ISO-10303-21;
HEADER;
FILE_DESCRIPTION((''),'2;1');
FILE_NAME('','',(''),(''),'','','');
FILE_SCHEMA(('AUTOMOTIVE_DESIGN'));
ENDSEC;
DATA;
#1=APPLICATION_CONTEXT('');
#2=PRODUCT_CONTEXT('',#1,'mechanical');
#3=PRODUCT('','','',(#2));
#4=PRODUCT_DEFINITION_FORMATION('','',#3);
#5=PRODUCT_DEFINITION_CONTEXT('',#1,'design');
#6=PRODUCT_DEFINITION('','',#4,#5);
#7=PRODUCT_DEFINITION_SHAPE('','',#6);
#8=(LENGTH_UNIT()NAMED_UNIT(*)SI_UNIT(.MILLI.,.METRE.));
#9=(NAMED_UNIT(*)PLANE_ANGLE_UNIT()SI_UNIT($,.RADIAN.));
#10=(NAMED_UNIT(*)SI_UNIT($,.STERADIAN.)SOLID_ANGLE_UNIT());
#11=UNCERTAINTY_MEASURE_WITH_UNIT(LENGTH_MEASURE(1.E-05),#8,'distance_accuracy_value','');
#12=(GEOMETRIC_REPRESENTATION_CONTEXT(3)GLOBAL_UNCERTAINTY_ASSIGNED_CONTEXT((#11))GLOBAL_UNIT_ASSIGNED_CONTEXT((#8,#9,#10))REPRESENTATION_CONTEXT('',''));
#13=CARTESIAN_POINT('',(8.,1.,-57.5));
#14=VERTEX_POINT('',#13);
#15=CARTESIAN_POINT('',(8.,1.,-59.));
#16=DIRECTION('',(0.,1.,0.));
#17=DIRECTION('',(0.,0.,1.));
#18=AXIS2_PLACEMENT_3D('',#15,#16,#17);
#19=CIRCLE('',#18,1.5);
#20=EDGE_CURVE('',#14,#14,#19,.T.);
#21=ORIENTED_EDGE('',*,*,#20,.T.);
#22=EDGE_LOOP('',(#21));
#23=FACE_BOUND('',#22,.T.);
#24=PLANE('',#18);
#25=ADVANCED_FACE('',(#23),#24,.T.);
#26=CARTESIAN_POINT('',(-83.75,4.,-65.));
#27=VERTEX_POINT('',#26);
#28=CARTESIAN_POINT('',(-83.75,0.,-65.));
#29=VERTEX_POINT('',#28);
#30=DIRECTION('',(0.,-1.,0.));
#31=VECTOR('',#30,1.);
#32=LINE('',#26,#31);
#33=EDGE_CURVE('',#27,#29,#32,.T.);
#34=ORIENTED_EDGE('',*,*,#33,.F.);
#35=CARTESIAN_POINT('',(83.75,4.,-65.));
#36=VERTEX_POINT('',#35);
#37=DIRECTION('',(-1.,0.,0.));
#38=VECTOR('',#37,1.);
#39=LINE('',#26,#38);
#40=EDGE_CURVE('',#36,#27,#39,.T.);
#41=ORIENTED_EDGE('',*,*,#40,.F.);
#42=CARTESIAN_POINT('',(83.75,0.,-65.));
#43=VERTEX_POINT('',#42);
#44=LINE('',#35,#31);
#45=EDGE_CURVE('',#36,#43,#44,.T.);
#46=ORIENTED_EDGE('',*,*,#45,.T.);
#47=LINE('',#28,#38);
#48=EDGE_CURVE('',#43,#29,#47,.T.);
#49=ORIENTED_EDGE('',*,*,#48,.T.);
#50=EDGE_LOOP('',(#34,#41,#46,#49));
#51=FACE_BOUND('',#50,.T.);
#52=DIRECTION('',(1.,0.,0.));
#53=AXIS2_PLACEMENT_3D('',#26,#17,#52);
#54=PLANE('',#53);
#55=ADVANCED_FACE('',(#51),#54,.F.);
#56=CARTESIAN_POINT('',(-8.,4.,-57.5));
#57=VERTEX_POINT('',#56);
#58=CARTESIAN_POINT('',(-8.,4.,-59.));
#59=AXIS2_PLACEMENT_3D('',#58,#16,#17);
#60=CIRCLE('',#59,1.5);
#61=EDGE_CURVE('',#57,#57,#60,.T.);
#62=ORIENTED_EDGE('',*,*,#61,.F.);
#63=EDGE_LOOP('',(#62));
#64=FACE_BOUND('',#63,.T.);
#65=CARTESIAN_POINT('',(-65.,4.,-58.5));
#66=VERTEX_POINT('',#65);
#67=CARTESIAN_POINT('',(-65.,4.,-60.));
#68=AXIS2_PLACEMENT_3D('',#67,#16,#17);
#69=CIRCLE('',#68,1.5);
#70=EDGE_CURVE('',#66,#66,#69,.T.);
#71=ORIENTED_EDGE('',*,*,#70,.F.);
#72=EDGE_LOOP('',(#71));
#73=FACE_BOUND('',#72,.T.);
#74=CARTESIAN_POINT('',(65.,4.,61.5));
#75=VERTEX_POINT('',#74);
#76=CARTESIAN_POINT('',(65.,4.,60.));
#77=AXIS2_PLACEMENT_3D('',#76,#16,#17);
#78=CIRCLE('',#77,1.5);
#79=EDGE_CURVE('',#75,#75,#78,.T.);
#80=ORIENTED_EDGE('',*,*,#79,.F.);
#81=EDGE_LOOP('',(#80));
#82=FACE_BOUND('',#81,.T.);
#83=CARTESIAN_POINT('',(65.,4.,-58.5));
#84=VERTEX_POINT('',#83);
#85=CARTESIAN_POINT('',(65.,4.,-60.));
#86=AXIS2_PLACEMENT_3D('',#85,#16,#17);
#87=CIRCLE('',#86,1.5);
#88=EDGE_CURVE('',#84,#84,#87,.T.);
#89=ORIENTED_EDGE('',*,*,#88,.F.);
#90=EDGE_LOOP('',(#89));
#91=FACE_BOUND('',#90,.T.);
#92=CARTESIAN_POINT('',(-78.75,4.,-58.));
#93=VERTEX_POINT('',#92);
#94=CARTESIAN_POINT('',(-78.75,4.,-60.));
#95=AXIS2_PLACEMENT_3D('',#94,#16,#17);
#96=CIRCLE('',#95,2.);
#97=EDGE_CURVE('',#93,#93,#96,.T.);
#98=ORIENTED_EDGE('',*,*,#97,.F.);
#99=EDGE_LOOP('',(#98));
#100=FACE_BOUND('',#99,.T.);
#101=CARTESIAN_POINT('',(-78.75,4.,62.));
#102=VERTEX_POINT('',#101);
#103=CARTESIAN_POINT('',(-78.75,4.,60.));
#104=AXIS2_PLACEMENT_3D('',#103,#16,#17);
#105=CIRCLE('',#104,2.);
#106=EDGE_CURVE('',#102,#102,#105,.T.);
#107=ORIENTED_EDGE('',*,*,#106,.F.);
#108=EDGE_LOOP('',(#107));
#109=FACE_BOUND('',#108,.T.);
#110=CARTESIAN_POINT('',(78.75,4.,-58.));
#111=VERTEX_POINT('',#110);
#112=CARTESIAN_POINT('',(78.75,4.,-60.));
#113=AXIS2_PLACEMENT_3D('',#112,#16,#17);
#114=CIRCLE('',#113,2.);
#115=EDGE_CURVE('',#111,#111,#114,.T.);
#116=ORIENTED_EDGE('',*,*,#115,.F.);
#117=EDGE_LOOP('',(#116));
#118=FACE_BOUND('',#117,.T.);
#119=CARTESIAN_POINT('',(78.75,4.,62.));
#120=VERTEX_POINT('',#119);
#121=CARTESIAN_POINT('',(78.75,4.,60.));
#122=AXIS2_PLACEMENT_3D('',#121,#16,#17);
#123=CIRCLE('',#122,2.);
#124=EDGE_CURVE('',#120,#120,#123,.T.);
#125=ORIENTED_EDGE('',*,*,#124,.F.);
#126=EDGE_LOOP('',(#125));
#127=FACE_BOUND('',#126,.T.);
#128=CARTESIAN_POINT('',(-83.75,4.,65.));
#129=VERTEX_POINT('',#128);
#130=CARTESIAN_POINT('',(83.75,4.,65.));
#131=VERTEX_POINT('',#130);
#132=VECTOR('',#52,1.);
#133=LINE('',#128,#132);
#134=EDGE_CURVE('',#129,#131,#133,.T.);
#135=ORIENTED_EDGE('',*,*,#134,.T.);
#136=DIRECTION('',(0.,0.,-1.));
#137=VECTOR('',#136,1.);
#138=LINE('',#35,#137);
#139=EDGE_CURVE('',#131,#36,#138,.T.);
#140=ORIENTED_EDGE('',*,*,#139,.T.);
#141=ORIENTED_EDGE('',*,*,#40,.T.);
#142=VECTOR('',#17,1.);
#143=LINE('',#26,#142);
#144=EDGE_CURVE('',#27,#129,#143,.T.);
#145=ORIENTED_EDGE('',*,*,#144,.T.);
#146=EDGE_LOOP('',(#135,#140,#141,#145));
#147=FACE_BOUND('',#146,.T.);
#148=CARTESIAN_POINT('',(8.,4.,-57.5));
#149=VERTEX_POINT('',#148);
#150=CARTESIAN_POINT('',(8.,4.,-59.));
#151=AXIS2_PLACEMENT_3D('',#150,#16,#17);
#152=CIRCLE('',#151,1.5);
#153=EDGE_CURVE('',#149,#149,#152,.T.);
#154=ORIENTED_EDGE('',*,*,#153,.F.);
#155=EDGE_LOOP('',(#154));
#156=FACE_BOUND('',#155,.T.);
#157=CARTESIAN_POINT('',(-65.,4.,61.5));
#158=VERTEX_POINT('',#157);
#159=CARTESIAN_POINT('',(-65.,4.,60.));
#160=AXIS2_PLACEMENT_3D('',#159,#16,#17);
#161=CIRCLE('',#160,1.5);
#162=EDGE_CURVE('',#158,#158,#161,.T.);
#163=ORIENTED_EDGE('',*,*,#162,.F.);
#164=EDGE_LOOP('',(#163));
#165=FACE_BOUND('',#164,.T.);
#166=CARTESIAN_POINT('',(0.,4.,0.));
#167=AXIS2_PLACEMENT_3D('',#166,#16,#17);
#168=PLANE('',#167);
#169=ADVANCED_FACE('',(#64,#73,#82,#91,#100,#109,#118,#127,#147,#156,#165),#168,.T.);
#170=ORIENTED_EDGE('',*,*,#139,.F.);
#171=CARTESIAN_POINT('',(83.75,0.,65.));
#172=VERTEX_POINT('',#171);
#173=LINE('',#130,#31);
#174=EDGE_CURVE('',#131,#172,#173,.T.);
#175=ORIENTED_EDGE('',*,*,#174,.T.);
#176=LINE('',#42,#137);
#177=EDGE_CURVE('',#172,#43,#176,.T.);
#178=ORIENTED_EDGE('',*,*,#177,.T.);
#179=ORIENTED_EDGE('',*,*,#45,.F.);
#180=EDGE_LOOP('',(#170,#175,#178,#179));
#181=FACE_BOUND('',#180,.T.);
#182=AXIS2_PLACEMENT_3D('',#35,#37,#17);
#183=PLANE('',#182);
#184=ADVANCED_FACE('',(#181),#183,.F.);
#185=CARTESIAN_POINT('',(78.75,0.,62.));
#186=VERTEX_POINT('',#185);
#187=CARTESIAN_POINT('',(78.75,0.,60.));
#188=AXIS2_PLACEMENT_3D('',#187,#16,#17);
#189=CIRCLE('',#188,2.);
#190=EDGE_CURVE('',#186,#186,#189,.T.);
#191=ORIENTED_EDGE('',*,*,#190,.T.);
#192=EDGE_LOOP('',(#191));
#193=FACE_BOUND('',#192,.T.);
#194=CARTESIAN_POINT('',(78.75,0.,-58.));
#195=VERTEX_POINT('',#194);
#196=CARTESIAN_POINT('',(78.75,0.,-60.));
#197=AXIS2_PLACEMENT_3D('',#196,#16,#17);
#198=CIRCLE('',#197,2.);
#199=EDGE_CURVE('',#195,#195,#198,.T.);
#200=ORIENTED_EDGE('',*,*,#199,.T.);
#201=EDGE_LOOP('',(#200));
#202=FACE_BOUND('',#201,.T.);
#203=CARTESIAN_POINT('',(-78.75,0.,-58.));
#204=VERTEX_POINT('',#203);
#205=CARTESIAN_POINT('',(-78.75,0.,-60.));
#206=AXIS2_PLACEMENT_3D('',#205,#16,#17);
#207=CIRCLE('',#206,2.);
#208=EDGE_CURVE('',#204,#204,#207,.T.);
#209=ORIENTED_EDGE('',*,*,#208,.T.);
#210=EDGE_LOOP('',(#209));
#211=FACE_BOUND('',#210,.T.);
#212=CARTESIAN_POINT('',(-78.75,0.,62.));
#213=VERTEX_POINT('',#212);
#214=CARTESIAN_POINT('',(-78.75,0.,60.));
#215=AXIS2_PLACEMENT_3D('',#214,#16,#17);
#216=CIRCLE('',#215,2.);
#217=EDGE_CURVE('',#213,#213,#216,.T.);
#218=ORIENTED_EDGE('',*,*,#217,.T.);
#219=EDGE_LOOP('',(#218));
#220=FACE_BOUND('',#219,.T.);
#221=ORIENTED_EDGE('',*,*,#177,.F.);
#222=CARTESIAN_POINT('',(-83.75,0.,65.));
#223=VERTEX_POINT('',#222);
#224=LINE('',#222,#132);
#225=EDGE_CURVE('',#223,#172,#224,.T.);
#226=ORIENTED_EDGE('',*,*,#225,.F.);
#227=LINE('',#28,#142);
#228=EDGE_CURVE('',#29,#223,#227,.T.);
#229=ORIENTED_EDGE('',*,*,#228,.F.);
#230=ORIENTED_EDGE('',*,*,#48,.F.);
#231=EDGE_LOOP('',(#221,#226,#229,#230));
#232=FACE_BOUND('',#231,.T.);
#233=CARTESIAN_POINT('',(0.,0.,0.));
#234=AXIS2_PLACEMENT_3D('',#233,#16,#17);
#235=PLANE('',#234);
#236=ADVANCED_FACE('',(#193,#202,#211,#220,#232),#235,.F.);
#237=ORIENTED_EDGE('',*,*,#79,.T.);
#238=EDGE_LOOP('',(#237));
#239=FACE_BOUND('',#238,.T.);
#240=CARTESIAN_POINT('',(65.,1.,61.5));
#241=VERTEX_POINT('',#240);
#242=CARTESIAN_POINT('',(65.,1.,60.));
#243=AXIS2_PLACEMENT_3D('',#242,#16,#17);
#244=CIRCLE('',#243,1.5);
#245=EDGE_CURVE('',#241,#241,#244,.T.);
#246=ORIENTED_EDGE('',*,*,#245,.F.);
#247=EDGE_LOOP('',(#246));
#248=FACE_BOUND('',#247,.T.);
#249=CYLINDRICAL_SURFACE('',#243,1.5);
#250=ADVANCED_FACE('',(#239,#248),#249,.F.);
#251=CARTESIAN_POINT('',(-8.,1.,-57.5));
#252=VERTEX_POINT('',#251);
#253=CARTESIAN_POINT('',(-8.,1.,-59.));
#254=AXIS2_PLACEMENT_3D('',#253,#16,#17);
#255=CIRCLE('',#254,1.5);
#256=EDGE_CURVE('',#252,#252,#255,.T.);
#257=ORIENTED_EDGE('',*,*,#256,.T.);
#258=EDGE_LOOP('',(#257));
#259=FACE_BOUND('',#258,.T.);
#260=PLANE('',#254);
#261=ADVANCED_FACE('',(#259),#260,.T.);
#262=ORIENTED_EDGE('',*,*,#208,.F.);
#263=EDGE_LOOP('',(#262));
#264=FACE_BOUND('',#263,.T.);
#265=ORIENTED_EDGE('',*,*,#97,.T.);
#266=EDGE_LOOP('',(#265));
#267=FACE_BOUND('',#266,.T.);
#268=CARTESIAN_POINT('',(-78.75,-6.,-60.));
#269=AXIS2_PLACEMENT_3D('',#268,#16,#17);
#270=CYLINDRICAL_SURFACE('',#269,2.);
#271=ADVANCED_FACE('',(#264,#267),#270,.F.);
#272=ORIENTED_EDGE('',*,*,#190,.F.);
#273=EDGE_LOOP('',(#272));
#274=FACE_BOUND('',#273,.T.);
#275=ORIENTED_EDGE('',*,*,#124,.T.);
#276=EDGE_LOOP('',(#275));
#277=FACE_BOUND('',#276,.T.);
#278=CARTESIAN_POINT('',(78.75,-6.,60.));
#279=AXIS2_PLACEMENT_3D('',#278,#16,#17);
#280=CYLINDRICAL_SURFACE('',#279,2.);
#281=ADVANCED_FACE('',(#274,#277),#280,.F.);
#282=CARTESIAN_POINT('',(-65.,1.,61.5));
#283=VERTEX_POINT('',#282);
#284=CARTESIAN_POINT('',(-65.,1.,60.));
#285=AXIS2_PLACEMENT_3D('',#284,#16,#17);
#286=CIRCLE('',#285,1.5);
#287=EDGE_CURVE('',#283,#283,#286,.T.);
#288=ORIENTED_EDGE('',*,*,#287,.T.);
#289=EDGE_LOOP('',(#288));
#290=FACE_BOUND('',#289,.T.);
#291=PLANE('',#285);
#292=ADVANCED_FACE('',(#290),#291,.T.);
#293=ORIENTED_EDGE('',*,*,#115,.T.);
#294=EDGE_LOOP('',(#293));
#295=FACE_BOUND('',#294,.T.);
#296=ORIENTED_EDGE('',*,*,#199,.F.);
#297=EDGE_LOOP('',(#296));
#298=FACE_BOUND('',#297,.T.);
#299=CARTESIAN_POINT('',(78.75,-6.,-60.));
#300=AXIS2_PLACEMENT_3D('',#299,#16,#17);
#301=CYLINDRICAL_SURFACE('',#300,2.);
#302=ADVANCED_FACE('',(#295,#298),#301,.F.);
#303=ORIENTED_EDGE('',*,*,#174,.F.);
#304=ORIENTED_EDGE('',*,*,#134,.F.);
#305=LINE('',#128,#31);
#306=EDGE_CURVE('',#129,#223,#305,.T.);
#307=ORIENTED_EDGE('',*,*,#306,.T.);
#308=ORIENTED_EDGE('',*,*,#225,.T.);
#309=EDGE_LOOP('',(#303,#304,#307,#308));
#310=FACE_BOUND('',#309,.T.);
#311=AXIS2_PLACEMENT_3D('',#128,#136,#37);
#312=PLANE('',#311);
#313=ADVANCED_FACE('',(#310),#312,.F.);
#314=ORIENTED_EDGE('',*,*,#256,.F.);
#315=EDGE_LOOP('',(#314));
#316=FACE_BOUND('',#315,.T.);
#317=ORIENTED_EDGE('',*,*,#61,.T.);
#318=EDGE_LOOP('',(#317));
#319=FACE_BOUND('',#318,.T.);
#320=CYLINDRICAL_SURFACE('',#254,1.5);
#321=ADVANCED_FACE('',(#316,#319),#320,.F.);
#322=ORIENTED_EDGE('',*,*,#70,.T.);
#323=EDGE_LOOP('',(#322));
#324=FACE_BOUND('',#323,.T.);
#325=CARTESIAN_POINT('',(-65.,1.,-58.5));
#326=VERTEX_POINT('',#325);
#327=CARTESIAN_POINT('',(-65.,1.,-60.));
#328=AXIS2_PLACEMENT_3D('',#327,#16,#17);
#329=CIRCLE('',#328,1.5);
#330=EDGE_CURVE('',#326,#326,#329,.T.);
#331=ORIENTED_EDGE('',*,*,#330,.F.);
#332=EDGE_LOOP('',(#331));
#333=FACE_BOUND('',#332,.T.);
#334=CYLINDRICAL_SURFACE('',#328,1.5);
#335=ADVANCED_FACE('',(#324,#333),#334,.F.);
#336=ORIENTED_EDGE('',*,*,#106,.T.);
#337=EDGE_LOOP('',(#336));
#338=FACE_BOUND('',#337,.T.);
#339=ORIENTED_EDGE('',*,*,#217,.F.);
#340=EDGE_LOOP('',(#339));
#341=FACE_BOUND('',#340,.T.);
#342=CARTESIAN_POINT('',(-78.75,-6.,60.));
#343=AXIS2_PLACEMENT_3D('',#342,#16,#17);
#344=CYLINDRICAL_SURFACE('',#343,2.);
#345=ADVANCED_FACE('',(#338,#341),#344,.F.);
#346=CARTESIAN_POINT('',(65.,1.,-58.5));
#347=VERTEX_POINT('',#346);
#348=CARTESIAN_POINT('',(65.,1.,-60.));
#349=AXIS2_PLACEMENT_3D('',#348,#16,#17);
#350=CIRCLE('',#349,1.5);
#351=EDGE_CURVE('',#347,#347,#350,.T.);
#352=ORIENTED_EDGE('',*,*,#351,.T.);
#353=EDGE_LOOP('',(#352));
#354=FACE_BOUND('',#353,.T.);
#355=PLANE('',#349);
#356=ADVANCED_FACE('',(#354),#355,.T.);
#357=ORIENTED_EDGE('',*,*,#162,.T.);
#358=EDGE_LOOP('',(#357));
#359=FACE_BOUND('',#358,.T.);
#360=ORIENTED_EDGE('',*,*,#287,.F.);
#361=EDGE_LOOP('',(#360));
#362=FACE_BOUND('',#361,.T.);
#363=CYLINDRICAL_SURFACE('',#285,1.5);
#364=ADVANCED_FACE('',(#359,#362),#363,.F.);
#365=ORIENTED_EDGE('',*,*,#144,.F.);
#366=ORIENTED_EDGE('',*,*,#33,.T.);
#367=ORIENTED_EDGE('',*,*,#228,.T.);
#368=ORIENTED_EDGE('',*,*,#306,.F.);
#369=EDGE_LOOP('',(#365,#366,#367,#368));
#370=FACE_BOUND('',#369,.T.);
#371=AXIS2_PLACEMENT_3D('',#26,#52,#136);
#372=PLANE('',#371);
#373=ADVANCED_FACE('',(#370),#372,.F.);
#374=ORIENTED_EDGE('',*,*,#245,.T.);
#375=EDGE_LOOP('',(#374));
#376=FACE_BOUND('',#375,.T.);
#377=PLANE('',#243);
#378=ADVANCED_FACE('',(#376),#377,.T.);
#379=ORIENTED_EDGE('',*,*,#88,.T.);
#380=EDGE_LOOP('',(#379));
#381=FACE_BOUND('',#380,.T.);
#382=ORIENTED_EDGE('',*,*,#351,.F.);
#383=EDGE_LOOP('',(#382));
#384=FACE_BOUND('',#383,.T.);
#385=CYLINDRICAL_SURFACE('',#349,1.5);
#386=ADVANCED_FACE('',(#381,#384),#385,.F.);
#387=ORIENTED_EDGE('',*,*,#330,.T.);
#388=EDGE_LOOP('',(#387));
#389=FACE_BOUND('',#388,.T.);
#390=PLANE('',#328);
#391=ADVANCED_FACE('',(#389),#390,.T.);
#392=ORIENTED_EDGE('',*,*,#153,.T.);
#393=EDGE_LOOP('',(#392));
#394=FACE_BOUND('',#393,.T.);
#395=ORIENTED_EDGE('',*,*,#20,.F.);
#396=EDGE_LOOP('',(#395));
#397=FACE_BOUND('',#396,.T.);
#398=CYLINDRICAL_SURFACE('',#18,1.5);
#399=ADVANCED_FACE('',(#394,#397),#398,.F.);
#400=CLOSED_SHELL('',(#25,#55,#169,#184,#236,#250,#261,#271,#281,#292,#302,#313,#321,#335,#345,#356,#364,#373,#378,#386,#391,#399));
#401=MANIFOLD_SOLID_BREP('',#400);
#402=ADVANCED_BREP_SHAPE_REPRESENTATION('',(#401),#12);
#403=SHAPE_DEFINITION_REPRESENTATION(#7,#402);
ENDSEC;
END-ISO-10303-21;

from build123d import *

# Parameters (mm, degrees)
SKETCH1_W           = 167.5
SKETCH1_H           = 130
BOSS_EXTRUDE1_DEPTH = 4
SKETCH2_R           = 1.5
CUT_EXTRUDE1_DEPTH  = 3
SKETCH3_R           = 1.5
CUT_EXTRUDE2_DEPTH  = 3
SKETCH5_R           = 2
CUT_EXTRUDE3_DEPTH  = 10


with BuildPart() as part:
    # Sketch1 → Boss-Extrude1 (new body)
    with BuildSketch(Plane(origin=(0, 0, 0), x_dir=(1, 0, 0), z_dir=(0, 1, 0))):
        Rectangle(SKETCH1_W, SKETCH1_H)
    extrude(amount=BOSS_EXTRUDE1_DEPTH)

    # Sketch2 → Cut-Extrude1 (cut)
    with BuildSketch(Plane(origin=(0, 4, 0), x_dir=(1, 0, 0), z_dir=(0, 1, 0))):
        with Locations(Location((-65, -60, 0), (0, 0, 270))):
            Circle(SKETCH2_R)
        with Locations(Location((65, -60, 0), (0, 0, 270))):
            Circle(SKETCH2_R)
        with Locations(Location((65, 60, 0), (0, 0, 270))):
            Circle(SKETCH2_R)
        with Locations(Location((-65, 60, 0), (0, 0, 270))):
            Circle(SKETCH2_R)
    extrude(amount=-CUT_EXTRUDE1_DEPTH, mode=Mode.SUBTRACT)

    # Sketch3 → Cut-Extrude2 (cut)
    with BuildSketch(Plane(origin=(0, 4, 0), x_dir=(1, 0, 0), z_dir=(0, 1, 0))):
        with Locations(Location((-8, 59, 0), (0, 0, 270))):
            Circle(SKETCH3_R)
        with Locations(Location((8, 59, 0), (0, 0, 270))):
            Circle(SKETCH3_R)
    extrude(amount=-CUT_EXTRUDE2_DEPTH, mode=Mode.SUBTRACT)

    # Sketch5 → Cut-Extrude3 (cut)
    with BuildSketch(Plane(origin=(0, 4, 0), x_dir=(1, 0, 0), z_dir=(0, 1, 0))):
        with Locations(Location((-78.75, 60, 0), (0, 0, 270))):
            Circle(SKETCH5_R)
        with Locations(Location((78.75, 60, 0), (0, 0, 270))):
            Circle(SKETCH5_R)
        with Locations(Location((78.75, -60, 0), (0, 0, 270))):
            Circle(SKETCH5_R)
        with Locations(Location((-78.75, -60, 0), (0, 0, 270))):
            Circle(SKETCH5_R)
    extrude(amount=-CUT_EXTRUDE3_DEPTH, mode=Mode.SUBTRACT)


solid = part.part
